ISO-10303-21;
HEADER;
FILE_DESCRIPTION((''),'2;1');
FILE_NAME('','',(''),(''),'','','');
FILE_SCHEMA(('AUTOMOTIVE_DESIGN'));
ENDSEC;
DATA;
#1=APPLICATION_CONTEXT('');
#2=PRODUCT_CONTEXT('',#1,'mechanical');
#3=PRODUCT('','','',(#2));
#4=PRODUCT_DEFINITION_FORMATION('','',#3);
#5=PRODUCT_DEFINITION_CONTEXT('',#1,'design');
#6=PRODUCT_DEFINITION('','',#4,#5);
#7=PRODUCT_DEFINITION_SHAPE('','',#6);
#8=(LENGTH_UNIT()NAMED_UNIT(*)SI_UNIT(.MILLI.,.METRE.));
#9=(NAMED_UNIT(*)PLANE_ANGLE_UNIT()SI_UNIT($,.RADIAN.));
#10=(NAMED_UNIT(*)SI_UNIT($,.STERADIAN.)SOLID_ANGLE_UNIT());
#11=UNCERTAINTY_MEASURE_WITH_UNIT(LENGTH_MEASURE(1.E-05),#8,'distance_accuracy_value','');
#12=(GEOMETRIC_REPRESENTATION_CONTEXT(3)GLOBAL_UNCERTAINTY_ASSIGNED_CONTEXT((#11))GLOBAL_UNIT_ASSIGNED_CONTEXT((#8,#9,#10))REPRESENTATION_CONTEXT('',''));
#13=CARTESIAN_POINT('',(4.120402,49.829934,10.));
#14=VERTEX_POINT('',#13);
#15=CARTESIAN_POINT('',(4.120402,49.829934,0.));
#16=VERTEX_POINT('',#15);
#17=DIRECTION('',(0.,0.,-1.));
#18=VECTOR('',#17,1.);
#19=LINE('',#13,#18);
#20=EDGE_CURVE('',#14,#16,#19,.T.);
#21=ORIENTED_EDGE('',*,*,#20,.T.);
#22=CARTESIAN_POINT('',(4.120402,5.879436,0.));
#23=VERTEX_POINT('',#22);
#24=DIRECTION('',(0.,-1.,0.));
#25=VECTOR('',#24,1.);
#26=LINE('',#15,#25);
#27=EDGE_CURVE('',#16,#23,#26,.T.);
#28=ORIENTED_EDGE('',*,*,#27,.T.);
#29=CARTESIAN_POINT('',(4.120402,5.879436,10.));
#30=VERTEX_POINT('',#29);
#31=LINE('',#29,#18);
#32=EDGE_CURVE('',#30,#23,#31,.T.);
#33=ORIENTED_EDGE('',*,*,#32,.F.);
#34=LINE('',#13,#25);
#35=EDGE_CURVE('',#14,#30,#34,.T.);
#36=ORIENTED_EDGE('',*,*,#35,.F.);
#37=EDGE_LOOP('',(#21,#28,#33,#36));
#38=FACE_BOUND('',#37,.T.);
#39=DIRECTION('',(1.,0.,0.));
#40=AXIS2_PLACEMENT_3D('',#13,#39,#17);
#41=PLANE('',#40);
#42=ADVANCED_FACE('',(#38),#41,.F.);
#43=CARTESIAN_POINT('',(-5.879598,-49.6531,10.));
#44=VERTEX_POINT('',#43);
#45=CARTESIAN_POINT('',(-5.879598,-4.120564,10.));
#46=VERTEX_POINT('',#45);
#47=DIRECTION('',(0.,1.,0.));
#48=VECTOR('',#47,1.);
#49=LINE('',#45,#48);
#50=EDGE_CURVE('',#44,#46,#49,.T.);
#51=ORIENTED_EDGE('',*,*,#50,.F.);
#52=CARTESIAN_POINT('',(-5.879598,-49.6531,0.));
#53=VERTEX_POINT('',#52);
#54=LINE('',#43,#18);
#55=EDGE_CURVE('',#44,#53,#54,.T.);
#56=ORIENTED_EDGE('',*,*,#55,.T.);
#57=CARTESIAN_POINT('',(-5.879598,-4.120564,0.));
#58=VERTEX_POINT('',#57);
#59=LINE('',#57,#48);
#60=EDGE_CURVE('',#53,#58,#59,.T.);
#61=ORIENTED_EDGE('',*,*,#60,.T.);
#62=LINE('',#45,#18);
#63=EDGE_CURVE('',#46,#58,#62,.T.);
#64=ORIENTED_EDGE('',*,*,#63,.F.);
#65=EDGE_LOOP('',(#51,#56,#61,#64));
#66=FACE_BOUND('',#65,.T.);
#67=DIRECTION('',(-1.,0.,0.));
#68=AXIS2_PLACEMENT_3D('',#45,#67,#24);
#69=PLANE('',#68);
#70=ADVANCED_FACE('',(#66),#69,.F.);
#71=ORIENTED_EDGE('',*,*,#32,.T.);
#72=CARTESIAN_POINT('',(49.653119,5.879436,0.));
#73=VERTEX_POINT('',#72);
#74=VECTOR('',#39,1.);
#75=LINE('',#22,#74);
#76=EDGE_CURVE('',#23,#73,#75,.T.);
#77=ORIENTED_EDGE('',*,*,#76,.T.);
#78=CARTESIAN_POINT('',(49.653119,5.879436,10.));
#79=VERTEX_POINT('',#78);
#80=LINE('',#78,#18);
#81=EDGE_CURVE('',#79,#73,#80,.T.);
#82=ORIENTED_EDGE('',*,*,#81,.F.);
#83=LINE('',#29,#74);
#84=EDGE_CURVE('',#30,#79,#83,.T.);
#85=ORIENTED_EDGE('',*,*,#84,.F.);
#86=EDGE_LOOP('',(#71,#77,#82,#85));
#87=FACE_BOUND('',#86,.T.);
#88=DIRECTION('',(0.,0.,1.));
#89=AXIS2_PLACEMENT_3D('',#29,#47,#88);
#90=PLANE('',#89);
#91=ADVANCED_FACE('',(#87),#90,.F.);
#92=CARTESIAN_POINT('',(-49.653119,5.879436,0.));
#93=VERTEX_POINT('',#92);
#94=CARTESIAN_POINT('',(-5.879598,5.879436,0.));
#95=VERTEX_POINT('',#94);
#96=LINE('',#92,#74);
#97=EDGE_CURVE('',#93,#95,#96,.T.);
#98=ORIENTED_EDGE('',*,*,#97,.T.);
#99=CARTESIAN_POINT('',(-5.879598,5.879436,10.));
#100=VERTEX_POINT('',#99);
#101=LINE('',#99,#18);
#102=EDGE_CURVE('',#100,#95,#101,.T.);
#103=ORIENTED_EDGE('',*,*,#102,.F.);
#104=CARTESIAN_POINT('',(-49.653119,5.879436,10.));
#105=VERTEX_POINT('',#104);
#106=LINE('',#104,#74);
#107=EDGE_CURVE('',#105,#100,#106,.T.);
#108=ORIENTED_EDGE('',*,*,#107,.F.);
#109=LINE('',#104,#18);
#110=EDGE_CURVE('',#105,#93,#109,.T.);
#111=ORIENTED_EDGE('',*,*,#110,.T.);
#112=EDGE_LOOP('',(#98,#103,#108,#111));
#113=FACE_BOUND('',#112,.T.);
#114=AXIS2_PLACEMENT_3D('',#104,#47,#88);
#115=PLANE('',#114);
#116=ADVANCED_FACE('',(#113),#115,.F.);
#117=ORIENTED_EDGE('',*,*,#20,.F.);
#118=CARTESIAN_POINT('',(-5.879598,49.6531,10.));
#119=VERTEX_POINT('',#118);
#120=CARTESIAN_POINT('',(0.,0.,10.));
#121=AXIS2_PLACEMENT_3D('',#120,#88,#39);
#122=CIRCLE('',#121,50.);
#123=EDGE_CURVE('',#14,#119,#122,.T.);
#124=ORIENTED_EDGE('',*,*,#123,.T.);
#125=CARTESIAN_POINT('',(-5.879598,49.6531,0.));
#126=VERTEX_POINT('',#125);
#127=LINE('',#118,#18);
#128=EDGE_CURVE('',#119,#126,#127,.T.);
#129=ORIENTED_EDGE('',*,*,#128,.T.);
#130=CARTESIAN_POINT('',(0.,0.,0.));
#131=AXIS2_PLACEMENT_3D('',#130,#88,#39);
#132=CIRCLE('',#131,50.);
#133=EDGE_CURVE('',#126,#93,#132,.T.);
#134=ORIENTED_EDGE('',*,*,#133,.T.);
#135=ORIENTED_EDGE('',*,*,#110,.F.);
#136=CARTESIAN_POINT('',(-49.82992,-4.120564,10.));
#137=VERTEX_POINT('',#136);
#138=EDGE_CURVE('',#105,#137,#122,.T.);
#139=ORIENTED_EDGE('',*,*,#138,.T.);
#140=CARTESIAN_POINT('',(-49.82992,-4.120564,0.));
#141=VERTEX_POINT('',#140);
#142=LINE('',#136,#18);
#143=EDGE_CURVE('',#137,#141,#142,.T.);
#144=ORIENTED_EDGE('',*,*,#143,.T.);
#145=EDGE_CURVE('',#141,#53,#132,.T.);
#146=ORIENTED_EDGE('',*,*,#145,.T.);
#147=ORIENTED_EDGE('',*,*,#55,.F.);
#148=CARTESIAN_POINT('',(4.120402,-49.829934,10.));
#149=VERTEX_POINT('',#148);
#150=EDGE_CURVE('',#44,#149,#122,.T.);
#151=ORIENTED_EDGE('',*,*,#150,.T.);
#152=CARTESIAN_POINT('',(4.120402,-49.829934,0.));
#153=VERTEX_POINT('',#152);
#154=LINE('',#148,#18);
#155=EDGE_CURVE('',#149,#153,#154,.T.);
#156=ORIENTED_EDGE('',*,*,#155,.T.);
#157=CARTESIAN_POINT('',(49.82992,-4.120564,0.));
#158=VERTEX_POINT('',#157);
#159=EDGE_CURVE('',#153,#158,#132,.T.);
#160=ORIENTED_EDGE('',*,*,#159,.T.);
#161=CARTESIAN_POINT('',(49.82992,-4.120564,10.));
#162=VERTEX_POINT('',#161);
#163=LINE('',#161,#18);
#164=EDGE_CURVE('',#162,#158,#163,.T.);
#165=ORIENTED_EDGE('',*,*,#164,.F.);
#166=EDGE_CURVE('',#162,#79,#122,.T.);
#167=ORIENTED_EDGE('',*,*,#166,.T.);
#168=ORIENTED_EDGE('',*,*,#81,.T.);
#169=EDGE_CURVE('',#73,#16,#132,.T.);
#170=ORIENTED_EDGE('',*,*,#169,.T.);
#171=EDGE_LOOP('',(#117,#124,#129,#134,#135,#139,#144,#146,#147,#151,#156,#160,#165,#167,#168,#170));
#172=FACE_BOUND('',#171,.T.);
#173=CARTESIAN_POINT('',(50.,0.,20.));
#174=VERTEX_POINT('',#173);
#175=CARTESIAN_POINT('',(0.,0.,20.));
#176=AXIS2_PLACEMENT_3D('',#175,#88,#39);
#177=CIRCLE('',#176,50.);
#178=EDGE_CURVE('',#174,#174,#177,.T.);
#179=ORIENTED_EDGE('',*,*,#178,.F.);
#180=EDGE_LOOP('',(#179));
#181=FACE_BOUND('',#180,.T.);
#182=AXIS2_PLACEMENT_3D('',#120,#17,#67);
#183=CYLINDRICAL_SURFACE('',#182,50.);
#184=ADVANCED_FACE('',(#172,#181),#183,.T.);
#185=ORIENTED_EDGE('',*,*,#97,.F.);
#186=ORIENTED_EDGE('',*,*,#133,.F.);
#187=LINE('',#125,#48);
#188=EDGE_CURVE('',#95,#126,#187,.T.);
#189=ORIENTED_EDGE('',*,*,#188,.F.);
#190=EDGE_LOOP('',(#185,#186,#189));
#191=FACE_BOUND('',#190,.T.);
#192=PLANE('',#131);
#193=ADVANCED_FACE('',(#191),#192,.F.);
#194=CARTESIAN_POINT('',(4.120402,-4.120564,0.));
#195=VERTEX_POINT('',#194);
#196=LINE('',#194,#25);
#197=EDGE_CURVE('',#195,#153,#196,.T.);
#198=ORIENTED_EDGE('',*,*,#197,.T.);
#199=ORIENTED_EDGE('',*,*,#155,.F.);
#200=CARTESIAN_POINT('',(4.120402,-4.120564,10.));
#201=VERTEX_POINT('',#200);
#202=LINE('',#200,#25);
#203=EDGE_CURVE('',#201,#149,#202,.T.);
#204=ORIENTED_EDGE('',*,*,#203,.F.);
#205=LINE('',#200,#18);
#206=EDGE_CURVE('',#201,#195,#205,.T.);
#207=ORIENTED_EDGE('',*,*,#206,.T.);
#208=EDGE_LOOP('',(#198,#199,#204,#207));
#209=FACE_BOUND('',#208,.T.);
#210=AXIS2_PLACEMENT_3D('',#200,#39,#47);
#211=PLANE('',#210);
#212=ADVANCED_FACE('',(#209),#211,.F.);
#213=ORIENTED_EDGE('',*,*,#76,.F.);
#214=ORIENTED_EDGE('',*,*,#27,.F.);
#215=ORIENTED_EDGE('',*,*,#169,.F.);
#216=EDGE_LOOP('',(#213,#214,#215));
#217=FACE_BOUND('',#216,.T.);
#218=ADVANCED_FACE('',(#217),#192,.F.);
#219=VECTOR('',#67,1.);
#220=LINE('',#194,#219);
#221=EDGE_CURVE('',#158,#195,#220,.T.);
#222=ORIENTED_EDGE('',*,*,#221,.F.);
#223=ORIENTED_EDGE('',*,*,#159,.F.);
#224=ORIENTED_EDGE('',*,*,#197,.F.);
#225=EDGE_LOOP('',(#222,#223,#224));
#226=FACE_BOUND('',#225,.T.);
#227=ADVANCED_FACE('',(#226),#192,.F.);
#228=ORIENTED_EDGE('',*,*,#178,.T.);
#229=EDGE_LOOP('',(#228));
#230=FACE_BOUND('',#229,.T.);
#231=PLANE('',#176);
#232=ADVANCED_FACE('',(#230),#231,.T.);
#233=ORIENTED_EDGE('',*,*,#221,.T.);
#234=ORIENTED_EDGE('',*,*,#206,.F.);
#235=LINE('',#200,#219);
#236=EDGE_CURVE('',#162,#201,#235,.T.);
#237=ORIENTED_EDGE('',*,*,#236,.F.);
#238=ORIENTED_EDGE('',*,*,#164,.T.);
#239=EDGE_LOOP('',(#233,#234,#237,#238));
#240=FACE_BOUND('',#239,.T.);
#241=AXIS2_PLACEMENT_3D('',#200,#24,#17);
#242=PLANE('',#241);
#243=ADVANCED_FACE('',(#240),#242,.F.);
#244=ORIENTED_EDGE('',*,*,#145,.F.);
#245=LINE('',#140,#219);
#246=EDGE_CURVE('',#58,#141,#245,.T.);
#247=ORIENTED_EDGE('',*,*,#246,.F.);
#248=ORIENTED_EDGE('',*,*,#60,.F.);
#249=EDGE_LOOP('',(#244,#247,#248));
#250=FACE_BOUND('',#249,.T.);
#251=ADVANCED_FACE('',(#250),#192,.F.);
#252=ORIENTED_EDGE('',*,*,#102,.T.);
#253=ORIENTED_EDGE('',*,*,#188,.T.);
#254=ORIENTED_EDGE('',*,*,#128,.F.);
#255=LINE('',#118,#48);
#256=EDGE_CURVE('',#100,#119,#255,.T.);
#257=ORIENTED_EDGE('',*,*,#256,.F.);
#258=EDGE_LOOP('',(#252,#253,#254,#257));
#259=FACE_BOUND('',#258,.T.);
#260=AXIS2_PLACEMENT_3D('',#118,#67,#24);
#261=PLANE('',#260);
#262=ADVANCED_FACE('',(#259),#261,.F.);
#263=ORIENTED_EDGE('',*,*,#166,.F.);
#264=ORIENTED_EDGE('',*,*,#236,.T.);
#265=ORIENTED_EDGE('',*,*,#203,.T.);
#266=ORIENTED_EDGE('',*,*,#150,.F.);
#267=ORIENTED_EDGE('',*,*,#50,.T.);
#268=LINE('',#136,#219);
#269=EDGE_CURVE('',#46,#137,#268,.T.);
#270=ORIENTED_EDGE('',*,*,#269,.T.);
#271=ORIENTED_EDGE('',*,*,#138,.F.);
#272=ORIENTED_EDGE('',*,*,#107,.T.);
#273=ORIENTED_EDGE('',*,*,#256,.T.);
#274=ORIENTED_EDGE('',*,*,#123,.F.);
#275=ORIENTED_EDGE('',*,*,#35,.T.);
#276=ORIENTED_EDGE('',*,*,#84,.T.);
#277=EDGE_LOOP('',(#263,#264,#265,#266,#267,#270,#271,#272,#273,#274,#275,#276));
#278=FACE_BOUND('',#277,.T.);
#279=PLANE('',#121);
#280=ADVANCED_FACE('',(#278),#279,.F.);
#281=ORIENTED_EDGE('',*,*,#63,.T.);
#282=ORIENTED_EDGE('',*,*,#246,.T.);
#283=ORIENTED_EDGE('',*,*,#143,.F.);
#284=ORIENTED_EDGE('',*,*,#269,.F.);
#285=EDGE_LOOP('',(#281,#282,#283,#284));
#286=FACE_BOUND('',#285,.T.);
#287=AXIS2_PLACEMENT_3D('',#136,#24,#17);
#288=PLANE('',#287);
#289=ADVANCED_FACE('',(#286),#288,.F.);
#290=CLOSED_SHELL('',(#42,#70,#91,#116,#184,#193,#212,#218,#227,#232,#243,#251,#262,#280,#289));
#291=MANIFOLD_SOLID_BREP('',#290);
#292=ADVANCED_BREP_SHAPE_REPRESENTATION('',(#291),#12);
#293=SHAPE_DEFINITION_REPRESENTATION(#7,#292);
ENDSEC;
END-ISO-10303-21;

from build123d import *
from build123d.topology import SkipClean

# Parameters (mm, degrees)
BOSS_EXTRUDE1_DEPTH   = 10
BOSS_EXTRUDE1_2_DEPTH = 10
BOSS_EXTRUDE1_3_DEPTH = 10
BOSS_EXTRUDE1_4_DEPTH = 10
SKETCH3_R             = 50
BOSS_EXTRUDE2_DEPTH   = 10


with BuildPart() as part:
    # Sketch2 → Boss-Extrude1 (new body)
    with BuildSketch(Plane.XY):
        with BuildLine():
            Line((4.12040185, 49.82993366), (4.12040185, 5.879436141))
            Line((4.12040185, 5.879436141), (49.653119043, 5.879436141))
            ThreePointArc((49.653119043, 5.879436141), (34.724767031, 35.974860036), (4.12040185, 49.82993366))
        make_face()
    extrude(amount=BOSS_EXTRUDE1_DEPTH)



with BuildPart() as body_2:
    # Sketch2 → Boss-Extrude1 2 (new body)
    with BuildSketch(Plane.XY):
        with BuildLine():
            Line((-5.87959815, 49.653099859), (-5.87959815, 5.879436141))
            Line((-5.87959815, 5.879436141), (-49.653119043, 5.879436141))
            ThreePointArc((-49.653119043, 5.879436141), (-35.355396738, 35.35528138), (-5.87959815, 49.653099859))
        make_face()
    extrude(amount=BOSS_EXTRUDE1_2_DEPTH)


with BuildPart() as body_3:
    # Sketch2 → Boss-Extrude1 3 (new body)
    with BuildSketch(Plane.XY):
        with BuildLine():
            Line((-49.829920264, -4.120563859), (-5.87959815, -4.120563859))
            Line((-5.87959815, -4.120563859), (-5.87959815, -49.653099859))
            ThreePointArc((-5.87959815, -49.653099859), (-35.974860237, -34.724766823), (-49.829920264, -4.120563859))
        make_face()
    extrude(amount=BOSS_EXTRUDE1_3_DEPTH)


with BuildPart() as body_4:
    # Sketch2 → Boss-Extrude1 4 (new body)
    with BuildSketch(Plane.XY):
        with BuildLine():
            Line((4.12040185, -4.120563859), (4.12040185, -49.82993366))
            ThreePointArc((4.12040185, -49.82993366), (35.355281585, -35.355396534), (49.829920264, -4.120563859))
            Line((49.829920264, -4.120563859), (4.12040185, -4.120563859))
        make_face()
    extrude(amount=BOSS_EXTRUDE1_4_DEPTH)


with BuildPart() as part_1:
    with SkipClean():  # the faces are left unmerged after this step: merging them gives an invalid solid
        add(part.part)

        add(body_2.part)  # Boss-Extrude2 merges body 2

        add(body_3.part)  # Boss-Extrude2 merges body 3

        add(body_4.part)  # Boss-Extrude2 merges body 4
        # Sketch3 → Boss-Extrude2 (add)
        with BuildSketch(Plane.XY.offset(10)):
            with Locations(Location((0, 0, 0), (0, 0, 184.727179566))):
                Circle(SKETCH3_R)
        extrude(amount=BOSS_EXTRUDE2_DEPTH)


solid = part_1.part
